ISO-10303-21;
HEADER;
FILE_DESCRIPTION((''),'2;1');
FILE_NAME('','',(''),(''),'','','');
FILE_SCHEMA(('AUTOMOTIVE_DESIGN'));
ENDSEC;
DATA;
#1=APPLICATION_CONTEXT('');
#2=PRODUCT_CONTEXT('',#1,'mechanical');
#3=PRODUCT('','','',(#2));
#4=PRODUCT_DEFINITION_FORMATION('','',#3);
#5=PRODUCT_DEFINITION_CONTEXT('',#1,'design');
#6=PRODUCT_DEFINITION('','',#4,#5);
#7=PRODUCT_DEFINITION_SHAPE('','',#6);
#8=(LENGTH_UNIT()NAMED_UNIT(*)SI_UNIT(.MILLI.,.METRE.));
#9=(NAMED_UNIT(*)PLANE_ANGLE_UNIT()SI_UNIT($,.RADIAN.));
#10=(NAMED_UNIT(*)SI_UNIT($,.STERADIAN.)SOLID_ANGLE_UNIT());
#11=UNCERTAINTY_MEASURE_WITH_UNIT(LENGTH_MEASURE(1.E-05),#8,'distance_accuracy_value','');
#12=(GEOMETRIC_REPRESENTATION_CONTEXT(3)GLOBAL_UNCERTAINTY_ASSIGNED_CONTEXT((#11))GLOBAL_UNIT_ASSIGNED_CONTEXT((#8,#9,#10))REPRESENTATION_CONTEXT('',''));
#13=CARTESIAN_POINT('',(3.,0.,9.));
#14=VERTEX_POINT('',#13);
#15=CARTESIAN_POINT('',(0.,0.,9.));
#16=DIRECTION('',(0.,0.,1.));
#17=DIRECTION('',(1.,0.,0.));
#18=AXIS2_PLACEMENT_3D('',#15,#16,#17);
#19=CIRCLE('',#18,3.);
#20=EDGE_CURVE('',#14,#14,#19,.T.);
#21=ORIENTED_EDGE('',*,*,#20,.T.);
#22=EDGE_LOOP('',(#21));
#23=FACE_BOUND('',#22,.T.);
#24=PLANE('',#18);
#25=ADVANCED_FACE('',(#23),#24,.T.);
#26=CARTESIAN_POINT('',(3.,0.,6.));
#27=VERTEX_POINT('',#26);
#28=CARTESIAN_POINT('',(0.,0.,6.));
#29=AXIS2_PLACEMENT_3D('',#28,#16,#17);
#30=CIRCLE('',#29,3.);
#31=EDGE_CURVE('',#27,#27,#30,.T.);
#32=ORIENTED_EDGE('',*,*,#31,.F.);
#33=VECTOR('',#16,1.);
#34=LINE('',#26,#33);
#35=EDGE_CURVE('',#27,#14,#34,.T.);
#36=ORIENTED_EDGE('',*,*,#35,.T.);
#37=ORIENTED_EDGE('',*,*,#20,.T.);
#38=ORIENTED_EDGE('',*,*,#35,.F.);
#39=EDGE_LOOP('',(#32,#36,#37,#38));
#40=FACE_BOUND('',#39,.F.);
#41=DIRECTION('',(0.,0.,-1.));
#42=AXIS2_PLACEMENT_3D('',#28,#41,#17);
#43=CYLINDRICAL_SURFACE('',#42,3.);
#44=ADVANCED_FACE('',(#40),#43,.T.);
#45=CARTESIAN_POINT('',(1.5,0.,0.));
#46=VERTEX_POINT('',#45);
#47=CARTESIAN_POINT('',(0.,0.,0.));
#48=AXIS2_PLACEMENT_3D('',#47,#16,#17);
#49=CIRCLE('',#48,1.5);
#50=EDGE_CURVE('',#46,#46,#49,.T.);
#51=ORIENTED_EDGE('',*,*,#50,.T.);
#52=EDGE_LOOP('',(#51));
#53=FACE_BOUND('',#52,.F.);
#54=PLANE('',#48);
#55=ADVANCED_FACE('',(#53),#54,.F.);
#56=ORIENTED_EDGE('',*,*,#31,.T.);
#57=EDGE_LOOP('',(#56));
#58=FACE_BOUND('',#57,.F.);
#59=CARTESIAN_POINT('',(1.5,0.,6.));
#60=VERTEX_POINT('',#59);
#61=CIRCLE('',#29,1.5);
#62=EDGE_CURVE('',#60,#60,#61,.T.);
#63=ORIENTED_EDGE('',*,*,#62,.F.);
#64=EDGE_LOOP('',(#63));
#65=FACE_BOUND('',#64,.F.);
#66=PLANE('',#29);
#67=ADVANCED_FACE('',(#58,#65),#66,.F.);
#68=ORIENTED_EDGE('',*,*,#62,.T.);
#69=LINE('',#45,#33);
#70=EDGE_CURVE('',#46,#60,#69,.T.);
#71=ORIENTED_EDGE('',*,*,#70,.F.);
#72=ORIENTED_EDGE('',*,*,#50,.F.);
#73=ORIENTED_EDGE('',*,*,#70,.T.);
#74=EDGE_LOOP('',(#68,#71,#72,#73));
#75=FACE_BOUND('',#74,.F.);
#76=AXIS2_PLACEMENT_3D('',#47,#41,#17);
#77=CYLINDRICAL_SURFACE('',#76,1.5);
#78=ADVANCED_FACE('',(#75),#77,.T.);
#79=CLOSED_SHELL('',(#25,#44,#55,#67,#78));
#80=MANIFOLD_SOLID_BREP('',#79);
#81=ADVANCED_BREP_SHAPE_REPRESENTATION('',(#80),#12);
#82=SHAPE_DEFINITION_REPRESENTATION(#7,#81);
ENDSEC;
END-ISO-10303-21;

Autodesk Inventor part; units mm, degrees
ref_plane "YZ Plane" through (0, 0, 0) normal (1, 0, 0) x (0, 1, 0)
ref_plane "XZ Plane" through (0, 0, 0) normal (0, 1, 0) x (-1, 0, 0)
ref_plane "XY Plane" through (0, 0, 0) normal (0, 0, 1) x (1, 0, 0)
sketch "スケッチ1" plane through (0, 0, 0) normal (0, 0, 1) x (1, 0, 0)
  circle A0 centre (0, 0) radius 1.5
  dimension "d0" = 3
extrude "押し出し1" add sketch "スケッチ1" along normal blind 6
sketch "スケッチ2" plane through (0, 0, 6) normal (0, 0, 1) x (1, 0, 0)
  circle A0 centre (0, 0) radius 1.5 projected
  circle A1 centre (0, 0) radius 3
  dimension "d3" = 6
extrude "押し出し2" add sketch "スケッチ2" along normal blind 3 contours A0 | A1
thread "ねじ1" size "M3x0.5" class "6g" standard "ANSI Metric M Profile" full length
sketch "スケッチ4" plane through (0, 0, 0) normal (0, 0, -1) x (-1, 0, 0)
  circle A0 centre (0, 0) radius 1.5 projected
properties part number "SB　6mm ボルト" material "Steel, Mild"
